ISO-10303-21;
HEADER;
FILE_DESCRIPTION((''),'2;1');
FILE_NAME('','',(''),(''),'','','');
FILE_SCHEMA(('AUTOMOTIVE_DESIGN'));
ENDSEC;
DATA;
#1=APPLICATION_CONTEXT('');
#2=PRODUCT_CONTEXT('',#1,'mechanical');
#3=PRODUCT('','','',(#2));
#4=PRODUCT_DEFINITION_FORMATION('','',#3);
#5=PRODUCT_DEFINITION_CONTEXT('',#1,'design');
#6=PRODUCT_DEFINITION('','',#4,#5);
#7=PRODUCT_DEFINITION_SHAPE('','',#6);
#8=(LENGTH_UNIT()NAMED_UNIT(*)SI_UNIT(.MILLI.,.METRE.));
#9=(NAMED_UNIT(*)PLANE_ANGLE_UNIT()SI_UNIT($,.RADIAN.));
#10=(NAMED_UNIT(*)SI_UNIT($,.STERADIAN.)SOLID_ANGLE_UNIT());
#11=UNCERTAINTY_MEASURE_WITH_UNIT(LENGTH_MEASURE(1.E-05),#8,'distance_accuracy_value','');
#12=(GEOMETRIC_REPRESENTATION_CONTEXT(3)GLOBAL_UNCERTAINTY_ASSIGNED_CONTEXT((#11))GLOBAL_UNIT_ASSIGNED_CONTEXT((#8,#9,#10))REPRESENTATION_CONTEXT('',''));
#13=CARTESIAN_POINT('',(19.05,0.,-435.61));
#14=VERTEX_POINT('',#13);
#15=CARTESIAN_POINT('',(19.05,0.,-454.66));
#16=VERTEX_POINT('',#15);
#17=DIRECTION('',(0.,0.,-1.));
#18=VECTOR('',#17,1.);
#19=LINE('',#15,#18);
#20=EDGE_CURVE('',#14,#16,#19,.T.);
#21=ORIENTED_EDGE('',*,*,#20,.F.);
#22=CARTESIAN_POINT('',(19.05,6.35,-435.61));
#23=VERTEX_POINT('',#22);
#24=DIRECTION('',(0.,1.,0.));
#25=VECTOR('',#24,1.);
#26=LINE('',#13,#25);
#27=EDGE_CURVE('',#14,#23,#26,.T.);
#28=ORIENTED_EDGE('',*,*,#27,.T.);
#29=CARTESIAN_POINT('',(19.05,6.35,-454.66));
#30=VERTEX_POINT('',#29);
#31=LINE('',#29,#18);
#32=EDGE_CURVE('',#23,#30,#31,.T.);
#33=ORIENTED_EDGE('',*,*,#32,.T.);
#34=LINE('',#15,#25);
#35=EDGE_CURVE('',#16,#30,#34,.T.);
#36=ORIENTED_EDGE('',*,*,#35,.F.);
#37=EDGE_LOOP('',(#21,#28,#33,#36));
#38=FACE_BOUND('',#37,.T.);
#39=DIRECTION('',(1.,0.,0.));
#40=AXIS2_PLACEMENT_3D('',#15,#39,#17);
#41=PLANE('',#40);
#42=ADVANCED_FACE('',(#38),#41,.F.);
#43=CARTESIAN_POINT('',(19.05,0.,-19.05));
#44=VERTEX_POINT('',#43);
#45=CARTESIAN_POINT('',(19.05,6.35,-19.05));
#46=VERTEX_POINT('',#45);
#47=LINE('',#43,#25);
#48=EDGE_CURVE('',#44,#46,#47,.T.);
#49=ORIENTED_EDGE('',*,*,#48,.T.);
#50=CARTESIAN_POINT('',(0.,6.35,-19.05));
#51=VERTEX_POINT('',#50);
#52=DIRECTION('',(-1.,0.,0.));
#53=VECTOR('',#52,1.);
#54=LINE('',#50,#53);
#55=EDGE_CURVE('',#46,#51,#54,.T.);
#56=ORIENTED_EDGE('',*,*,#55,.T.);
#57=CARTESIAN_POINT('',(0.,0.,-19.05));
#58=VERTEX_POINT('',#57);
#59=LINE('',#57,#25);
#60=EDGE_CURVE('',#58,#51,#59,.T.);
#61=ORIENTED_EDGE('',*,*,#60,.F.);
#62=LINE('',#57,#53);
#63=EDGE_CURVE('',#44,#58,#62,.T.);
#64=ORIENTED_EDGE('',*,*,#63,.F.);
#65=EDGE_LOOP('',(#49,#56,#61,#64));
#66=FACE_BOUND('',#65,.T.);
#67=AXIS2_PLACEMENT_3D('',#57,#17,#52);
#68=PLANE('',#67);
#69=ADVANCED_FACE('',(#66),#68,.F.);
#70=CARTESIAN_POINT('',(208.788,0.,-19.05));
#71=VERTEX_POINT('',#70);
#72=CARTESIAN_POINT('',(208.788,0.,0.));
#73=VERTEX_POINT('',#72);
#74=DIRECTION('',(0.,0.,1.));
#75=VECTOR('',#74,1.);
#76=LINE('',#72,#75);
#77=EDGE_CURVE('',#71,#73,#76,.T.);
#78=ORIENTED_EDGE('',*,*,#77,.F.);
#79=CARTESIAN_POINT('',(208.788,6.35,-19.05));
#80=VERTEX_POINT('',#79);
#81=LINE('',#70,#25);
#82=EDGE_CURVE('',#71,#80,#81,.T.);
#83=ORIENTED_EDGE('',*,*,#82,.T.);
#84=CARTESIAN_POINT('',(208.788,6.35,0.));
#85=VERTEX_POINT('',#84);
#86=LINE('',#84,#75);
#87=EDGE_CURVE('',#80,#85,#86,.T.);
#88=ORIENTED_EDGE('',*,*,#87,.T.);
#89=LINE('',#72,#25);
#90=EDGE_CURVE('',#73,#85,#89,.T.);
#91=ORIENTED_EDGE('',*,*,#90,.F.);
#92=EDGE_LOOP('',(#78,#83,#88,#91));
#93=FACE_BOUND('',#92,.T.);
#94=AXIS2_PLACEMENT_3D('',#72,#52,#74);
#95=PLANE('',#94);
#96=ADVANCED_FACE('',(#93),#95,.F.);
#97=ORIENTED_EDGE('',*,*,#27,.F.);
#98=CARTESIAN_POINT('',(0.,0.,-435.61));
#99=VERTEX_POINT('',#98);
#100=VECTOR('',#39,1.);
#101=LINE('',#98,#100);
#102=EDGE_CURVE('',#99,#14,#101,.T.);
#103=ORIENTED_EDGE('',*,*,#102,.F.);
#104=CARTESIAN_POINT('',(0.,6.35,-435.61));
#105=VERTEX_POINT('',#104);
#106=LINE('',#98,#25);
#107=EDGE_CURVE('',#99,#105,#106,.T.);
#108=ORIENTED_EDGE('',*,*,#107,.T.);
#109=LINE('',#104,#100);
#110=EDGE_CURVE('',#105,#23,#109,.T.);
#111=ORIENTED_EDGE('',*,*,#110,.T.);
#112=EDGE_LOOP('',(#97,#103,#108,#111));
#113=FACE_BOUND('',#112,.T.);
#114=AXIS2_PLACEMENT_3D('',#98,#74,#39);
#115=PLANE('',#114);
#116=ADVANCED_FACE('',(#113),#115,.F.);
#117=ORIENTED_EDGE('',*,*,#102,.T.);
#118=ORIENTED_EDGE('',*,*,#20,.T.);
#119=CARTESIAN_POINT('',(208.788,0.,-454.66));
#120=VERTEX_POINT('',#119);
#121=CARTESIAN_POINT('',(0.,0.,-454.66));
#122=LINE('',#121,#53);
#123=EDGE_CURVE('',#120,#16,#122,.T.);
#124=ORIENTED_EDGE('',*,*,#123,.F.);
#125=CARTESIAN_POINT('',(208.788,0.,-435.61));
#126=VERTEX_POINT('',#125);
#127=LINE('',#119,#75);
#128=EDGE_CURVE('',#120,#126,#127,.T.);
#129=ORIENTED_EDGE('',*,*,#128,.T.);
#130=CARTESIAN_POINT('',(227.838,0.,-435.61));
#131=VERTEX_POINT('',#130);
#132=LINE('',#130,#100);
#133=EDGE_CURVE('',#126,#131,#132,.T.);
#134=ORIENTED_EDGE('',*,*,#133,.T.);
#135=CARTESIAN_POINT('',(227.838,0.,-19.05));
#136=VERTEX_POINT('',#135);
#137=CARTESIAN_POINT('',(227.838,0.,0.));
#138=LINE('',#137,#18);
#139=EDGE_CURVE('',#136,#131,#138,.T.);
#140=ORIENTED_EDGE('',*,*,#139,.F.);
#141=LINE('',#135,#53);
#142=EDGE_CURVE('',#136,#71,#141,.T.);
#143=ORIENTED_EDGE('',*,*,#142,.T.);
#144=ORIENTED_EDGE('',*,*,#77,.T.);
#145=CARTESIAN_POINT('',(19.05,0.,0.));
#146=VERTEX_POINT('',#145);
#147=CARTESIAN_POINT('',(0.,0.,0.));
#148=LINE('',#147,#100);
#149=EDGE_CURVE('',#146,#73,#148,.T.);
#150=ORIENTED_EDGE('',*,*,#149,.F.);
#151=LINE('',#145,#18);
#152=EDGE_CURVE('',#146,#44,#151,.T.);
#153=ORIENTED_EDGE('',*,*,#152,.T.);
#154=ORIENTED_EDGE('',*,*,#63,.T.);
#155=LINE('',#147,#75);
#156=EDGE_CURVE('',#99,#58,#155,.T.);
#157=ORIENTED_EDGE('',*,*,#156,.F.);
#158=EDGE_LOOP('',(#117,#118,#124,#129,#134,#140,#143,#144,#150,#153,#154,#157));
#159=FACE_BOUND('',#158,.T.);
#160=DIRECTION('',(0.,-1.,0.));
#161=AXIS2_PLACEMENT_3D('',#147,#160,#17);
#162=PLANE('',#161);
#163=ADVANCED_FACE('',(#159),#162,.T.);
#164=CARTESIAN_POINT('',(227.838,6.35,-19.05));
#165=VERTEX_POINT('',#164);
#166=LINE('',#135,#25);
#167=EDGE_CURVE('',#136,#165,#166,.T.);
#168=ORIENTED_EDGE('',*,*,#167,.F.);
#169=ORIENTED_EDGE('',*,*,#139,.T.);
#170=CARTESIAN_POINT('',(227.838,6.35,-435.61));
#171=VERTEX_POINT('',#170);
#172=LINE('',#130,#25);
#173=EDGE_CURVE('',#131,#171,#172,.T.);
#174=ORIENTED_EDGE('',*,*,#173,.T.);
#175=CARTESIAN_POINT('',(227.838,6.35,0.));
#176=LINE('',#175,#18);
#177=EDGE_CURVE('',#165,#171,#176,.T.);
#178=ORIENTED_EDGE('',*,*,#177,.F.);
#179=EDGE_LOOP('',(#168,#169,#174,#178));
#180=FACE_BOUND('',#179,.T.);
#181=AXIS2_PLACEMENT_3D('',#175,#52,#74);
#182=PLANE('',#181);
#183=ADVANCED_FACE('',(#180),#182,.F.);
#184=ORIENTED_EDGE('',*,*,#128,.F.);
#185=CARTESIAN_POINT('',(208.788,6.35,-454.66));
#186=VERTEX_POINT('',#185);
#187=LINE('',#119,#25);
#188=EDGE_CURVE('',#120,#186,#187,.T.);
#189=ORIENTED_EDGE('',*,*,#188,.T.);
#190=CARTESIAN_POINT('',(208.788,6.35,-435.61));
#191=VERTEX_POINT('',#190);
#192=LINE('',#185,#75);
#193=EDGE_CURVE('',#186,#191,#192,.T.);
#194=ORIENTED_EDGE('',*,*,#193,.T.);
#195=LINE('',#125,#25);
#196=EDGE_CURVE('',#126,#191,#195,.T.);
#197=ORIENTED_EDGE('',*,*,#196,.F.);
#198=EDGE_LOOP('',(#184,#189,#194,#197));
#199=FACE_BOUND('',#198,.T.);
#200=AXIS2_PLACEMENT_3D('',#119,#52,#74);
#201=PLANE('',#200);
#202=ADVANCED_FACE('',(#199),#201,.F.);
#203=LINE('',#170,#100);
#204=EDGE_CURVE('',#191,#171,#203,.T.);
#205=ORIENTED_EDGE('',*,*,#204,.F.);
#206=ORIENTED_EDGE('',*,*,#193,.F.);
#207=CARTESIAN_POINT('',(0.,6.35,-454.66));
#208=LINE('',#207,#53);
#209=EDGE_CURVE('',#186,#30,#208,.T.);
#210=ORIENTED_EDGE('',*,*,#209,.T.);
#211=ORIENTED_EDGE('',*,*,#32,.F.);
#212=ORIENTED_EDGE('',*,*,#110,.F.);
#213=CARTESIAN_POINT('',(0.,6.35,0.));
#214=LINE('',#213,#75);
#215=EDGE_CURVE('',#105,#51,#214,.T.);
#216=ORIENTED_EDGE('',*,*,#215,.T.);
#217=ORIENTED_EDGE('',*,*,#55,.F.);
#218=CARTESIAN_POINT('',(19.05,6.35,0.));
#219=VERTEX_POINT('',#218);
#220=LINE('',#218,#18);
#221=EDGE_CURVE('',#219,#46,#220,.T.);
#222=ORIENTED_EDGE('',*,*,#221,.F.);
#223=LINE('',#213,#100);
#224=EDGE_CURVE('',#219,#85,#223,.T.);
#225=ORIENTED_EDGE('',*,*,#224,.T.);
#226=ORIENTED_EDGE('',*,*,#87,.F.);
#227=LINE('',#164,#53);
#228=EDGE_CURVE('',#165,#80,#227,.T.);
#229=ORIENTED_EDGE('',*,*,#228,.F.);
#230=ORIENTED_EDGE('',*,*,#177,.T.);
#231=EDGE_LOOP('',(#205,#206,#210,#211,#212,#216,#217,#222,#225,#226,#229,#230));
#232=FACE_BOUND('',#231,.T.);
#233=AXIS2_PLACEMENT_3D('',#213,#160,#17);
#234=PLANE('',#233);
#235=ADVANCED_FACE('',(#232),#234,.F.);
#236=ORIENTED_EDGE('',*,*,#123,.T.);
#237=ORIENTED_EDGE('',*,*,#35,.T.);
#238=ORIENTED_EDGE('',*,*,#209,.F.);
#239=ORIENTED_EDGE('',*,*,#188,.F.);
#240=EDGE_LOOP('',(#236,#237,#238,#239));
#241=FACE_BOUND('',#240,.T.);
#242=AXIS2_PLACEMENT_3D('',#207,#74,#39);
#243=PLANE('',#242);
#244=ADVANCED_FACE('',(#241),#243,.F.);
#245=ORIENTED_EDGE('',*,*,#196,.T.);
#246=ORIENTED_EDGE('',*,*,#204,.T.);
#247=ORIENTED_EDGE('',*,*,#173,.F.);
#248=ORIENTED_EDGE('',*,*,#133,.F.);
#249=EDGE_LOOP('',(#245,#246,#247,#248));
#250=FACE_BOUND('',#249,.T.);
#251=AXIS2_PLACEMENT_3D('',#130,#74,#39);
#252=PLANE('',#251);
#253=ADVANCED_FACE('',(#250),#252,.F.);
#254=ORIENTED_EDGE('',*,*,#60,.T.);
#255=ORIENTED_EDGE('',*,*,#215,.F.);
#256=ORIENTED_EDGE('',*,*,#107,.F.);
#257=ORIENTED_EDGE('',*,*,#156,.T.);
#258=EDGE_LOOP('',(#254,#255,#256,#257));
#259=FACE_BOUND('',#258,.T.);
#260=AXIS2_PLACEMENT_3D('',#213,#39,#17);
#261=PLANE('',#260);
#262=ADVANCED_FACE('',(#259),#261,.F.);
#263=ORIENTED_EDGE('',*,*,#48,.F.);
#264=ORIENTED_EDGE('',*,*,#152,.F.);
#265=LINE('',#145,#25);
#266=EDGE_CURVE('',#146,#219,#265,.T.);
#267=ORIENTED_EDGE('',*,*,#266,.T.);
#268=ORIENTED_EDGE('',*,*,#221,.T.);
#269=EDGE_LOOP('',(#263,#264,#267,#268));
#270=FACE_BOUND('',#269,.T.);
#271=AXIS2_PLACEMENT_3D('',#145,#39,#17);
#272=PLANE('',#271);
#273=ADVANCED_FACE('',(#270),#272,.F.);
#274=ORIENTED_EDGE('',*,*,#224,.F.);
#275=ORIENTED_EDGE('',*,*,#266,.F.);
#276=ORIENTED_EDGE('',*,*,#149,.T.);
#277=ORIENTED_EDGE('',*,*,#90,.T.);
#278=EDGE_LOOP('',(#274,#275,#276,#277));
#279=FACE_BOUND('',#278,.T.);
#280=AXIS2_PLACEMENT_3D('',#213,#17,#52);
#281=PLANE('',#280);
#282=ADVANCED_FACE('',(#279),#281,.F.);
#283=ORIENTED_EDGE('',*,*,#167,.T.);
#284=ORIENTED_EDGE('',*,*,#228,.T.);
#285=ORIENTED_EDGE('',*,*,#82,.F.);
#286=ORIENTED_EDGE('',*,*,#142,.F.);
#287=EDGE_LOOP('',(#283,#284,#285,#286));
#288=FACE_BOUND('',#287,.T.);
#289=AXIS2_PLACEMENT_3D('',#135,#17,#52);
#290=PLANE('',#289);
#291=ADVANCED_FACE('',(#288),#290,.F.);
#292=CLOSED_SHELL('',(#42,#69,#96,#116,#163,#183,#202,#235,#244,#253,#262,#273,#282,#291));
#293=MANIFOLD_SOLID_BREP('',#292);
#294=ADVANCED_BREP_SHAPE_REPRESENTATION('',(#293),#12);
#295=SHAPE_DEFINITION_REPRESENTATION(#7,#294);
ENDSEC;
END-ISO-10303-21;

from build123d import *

# Parameters (mm, degrees)
SKETCH1_W           = 227.838
SKETCH1_H           = 454.66
BOSS_EXTRUDE1_DEPTH = 6.35
SKETCH2_W           = 19.05
SKETCH2_H           = 19.05
CUT_EXTRUDE1_DEPTH  = 509.592363631


with BuildPart() as part:
    # Sketch1 → Boss-Extrude1 (new body)
    with BuildSketch(Plane(origin=(0, 0, 0), x_dir=(1, 0, 0), z_dir=(0, 1, 0))):
        with Locations((113.919, 227.33)):
            Rectangle(SKETCH1_W, SKETCH1_H)
    extrude(amount=BOSS_EXTRUDE1_DEPTH)

    # Sketch2 → Cut-Extrude1 (cut, through all)
    with BuildSketch(Plane(origin=(0, 6.35, 0), x_dir=(1, 0, 0), z_dir=(0, 1, 0))):
        with Locations((9.525, 9.525)):
            Rectangle(SKETCH2_W, SKETCH2_H)
        with Locations((9.525, 445.135)):
            Rectangle(SKETCH2_W, SKETCH2_H)
        with Locations((218.313, 445.135)):
            Rectangle(SKETCH2_W, SKETCH2_H)
        with Locations((218.313, 9.525)):
            Rectangle(SKETCH2_W, SKETCH2_H)
    extrude(amount=-CUT_EXTRUDE1_DEPTH, mode=Mode.SUBTRACT)


solid = part.part
